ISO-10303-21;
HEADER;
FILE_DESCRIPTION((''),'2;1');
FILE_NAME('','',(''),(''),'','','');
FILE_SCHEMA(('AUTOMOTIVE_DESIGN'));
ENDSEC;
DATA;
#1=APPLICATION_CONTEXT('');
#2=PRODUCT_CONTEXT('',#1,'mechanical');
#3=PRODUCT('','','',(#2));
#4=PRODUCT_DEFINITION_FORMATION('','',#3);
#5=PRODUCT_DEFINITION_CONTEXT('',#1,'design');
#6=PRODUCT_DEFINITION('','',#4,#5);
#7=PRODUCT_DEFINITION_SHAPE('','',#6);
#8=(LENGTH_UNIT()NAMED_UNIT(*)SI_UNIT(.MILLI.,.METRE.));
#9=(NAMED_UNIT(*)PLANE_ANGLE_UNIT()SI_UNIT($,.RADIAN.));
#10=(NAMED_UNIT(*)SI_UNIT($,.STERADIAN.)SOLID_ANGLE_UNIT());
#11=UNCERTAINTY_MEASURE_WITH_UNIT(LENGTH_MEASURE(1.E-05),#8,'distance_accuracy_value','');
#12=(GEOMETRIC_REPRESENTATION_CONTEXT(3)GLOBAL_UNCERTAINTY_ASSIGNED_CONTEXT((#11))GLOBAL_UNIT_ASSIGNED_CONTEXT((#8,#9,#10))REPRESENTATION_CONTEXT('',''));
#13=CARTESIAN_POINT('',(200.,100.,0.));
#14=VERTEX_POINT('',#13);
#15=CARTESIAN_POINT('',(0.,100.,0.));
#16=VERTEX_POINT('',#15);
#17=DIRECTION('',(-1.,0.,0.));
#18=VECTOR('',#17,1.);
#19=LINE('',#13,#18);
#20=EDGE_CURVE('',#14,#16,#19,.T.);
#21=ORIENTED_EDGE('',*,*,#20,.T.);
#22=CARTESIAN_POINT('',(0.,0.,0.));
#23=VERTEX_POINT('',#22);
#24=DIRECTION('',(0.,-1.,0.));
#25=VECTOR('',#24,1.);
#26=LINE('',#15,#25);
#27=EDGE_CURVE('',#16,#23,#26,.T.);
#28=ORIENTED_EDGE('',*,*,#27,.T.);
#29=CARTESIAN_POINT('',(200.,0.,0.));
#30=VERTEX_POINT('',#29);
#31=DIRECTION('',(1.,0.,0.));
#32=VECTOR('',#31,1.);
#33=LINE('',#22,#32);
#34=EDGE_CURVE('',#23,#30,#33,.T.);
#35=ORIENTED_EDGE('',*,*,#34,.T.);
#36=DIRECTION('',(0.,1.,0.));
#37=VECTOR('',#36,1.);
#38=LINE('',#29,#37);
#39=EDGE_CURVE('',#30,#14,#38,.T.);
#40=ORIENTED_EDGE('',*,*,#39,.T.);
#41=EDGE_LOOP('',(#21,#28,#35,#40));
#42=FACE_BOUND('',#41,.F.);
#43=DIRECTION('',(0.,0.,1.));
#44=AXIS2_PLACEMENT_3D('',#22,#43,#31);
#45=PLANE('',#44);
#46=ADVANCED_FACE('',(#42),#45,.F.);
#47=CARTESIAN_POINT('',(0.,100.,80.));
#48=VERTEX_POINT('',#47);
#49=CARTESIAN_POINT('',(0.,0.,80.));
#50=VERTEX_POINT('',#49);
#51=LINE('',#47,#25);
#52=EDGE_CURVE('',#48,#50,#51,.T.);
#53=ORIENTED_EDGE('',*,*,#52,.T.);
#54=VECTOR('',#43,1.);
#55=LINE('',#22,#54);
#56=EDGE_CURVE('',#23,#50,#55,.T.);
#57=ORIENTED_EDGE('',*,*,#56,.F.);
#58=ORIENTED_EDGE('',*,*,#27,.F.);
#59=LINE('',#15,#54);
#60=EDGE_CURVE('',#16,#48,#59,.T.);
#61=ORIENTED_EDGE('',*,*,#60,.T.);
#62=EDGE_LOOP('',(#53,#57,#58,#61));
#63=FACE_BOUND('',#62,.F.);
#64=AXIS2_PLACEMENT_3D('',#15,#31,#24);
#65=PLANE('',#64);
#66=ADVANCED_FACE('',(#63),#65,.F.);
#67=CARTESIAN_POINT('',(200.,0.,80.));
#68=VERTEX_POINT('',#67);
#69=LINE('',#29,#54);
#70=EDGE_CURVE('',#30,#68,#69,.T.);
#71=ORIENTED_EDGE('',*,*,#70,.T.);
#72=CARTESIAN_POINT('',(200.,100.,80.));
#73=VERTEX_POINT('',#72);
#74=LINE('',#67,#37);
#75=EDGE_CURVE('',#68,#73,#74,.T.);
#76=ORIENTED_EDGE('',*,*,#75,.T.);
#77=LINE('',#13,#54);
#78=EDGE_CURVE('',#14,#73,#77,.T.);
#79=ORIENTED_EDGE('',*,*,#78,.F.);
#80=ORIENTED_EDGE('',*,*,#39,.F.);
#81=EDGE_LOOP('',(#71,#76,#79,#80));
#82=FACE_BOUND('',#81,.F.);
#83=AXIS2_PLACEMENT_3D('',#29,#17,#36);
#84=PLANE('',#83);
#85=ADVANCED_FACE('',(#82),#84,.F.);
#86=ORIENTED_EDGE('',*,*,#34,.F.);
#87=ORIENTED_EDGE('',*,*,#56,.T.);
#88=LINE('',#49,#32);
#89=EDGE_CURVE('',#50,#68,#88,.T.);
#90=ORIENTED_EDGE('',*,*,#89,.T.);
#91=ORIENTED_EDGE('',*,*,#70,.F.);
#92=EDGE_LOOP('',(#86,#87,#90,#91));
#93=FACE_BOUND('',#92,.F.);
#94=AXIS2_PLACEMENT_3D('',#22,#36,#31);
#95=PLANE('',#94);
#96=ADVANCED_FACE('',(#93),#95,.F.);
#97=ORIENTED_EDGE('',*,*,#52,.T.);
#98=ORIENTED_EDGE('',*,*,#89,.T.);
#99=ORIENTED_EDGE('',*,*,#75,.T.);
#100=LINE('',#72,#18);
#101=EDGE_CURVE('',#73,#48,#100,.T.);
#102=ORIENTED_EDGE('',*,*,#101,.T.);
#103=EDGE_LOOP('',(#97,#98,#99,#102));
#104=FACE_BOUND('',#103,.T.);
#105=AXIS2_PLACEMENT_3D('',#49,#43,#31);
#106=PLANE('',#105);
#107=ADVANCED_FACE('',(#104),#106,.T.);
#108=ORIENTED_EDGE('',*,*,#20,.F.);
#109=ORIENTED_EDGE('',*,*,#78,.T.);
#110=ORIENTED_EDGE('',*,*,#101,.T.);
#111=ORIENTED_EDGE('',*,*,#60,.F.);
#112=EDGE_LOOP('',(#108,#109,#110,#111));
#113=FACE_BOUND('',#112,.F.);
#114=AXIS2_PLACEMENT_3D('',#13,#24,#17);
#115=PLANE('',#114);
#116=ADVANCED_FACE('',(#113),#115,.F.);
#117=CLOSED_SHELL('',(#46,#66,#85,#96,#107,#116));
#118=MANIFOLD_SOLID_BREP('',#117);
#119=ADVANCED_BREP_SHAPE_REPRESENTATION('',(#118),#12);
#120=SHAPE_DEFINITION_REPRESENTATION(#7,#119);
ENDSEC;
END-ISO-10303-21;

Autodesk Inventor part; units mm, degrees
ref_plane "YZ Plane" through (0, 0, 0) normal (1, 0, 0) x (0, 1, 0)
ref_plane "XZ Plane" through (0, 0, 0) normal (0, 1, 0) x (-1, 0, 0)
ref_plane "XY Plane" through (0, 0, 0) normal (0, 0, 1) x (1, 0, 0)
sketch "Sketch1" plane through (0, 0, 0) normal (0, 0, 1) x (1, 0, 0)
  line L0 (0, 0) -> (200, 0)
  line L1 (200, 0) -> (200, 100)
  line L2 (200, 100) -> (0, 100)
  line L3 (0, 100) -> (0, 0)
  dimension "d0" = 200
  dimension "d1" = 100
extrude "Extrusion1" add sketch "Sketch1" along normal blind 80
properties part number "Box"
